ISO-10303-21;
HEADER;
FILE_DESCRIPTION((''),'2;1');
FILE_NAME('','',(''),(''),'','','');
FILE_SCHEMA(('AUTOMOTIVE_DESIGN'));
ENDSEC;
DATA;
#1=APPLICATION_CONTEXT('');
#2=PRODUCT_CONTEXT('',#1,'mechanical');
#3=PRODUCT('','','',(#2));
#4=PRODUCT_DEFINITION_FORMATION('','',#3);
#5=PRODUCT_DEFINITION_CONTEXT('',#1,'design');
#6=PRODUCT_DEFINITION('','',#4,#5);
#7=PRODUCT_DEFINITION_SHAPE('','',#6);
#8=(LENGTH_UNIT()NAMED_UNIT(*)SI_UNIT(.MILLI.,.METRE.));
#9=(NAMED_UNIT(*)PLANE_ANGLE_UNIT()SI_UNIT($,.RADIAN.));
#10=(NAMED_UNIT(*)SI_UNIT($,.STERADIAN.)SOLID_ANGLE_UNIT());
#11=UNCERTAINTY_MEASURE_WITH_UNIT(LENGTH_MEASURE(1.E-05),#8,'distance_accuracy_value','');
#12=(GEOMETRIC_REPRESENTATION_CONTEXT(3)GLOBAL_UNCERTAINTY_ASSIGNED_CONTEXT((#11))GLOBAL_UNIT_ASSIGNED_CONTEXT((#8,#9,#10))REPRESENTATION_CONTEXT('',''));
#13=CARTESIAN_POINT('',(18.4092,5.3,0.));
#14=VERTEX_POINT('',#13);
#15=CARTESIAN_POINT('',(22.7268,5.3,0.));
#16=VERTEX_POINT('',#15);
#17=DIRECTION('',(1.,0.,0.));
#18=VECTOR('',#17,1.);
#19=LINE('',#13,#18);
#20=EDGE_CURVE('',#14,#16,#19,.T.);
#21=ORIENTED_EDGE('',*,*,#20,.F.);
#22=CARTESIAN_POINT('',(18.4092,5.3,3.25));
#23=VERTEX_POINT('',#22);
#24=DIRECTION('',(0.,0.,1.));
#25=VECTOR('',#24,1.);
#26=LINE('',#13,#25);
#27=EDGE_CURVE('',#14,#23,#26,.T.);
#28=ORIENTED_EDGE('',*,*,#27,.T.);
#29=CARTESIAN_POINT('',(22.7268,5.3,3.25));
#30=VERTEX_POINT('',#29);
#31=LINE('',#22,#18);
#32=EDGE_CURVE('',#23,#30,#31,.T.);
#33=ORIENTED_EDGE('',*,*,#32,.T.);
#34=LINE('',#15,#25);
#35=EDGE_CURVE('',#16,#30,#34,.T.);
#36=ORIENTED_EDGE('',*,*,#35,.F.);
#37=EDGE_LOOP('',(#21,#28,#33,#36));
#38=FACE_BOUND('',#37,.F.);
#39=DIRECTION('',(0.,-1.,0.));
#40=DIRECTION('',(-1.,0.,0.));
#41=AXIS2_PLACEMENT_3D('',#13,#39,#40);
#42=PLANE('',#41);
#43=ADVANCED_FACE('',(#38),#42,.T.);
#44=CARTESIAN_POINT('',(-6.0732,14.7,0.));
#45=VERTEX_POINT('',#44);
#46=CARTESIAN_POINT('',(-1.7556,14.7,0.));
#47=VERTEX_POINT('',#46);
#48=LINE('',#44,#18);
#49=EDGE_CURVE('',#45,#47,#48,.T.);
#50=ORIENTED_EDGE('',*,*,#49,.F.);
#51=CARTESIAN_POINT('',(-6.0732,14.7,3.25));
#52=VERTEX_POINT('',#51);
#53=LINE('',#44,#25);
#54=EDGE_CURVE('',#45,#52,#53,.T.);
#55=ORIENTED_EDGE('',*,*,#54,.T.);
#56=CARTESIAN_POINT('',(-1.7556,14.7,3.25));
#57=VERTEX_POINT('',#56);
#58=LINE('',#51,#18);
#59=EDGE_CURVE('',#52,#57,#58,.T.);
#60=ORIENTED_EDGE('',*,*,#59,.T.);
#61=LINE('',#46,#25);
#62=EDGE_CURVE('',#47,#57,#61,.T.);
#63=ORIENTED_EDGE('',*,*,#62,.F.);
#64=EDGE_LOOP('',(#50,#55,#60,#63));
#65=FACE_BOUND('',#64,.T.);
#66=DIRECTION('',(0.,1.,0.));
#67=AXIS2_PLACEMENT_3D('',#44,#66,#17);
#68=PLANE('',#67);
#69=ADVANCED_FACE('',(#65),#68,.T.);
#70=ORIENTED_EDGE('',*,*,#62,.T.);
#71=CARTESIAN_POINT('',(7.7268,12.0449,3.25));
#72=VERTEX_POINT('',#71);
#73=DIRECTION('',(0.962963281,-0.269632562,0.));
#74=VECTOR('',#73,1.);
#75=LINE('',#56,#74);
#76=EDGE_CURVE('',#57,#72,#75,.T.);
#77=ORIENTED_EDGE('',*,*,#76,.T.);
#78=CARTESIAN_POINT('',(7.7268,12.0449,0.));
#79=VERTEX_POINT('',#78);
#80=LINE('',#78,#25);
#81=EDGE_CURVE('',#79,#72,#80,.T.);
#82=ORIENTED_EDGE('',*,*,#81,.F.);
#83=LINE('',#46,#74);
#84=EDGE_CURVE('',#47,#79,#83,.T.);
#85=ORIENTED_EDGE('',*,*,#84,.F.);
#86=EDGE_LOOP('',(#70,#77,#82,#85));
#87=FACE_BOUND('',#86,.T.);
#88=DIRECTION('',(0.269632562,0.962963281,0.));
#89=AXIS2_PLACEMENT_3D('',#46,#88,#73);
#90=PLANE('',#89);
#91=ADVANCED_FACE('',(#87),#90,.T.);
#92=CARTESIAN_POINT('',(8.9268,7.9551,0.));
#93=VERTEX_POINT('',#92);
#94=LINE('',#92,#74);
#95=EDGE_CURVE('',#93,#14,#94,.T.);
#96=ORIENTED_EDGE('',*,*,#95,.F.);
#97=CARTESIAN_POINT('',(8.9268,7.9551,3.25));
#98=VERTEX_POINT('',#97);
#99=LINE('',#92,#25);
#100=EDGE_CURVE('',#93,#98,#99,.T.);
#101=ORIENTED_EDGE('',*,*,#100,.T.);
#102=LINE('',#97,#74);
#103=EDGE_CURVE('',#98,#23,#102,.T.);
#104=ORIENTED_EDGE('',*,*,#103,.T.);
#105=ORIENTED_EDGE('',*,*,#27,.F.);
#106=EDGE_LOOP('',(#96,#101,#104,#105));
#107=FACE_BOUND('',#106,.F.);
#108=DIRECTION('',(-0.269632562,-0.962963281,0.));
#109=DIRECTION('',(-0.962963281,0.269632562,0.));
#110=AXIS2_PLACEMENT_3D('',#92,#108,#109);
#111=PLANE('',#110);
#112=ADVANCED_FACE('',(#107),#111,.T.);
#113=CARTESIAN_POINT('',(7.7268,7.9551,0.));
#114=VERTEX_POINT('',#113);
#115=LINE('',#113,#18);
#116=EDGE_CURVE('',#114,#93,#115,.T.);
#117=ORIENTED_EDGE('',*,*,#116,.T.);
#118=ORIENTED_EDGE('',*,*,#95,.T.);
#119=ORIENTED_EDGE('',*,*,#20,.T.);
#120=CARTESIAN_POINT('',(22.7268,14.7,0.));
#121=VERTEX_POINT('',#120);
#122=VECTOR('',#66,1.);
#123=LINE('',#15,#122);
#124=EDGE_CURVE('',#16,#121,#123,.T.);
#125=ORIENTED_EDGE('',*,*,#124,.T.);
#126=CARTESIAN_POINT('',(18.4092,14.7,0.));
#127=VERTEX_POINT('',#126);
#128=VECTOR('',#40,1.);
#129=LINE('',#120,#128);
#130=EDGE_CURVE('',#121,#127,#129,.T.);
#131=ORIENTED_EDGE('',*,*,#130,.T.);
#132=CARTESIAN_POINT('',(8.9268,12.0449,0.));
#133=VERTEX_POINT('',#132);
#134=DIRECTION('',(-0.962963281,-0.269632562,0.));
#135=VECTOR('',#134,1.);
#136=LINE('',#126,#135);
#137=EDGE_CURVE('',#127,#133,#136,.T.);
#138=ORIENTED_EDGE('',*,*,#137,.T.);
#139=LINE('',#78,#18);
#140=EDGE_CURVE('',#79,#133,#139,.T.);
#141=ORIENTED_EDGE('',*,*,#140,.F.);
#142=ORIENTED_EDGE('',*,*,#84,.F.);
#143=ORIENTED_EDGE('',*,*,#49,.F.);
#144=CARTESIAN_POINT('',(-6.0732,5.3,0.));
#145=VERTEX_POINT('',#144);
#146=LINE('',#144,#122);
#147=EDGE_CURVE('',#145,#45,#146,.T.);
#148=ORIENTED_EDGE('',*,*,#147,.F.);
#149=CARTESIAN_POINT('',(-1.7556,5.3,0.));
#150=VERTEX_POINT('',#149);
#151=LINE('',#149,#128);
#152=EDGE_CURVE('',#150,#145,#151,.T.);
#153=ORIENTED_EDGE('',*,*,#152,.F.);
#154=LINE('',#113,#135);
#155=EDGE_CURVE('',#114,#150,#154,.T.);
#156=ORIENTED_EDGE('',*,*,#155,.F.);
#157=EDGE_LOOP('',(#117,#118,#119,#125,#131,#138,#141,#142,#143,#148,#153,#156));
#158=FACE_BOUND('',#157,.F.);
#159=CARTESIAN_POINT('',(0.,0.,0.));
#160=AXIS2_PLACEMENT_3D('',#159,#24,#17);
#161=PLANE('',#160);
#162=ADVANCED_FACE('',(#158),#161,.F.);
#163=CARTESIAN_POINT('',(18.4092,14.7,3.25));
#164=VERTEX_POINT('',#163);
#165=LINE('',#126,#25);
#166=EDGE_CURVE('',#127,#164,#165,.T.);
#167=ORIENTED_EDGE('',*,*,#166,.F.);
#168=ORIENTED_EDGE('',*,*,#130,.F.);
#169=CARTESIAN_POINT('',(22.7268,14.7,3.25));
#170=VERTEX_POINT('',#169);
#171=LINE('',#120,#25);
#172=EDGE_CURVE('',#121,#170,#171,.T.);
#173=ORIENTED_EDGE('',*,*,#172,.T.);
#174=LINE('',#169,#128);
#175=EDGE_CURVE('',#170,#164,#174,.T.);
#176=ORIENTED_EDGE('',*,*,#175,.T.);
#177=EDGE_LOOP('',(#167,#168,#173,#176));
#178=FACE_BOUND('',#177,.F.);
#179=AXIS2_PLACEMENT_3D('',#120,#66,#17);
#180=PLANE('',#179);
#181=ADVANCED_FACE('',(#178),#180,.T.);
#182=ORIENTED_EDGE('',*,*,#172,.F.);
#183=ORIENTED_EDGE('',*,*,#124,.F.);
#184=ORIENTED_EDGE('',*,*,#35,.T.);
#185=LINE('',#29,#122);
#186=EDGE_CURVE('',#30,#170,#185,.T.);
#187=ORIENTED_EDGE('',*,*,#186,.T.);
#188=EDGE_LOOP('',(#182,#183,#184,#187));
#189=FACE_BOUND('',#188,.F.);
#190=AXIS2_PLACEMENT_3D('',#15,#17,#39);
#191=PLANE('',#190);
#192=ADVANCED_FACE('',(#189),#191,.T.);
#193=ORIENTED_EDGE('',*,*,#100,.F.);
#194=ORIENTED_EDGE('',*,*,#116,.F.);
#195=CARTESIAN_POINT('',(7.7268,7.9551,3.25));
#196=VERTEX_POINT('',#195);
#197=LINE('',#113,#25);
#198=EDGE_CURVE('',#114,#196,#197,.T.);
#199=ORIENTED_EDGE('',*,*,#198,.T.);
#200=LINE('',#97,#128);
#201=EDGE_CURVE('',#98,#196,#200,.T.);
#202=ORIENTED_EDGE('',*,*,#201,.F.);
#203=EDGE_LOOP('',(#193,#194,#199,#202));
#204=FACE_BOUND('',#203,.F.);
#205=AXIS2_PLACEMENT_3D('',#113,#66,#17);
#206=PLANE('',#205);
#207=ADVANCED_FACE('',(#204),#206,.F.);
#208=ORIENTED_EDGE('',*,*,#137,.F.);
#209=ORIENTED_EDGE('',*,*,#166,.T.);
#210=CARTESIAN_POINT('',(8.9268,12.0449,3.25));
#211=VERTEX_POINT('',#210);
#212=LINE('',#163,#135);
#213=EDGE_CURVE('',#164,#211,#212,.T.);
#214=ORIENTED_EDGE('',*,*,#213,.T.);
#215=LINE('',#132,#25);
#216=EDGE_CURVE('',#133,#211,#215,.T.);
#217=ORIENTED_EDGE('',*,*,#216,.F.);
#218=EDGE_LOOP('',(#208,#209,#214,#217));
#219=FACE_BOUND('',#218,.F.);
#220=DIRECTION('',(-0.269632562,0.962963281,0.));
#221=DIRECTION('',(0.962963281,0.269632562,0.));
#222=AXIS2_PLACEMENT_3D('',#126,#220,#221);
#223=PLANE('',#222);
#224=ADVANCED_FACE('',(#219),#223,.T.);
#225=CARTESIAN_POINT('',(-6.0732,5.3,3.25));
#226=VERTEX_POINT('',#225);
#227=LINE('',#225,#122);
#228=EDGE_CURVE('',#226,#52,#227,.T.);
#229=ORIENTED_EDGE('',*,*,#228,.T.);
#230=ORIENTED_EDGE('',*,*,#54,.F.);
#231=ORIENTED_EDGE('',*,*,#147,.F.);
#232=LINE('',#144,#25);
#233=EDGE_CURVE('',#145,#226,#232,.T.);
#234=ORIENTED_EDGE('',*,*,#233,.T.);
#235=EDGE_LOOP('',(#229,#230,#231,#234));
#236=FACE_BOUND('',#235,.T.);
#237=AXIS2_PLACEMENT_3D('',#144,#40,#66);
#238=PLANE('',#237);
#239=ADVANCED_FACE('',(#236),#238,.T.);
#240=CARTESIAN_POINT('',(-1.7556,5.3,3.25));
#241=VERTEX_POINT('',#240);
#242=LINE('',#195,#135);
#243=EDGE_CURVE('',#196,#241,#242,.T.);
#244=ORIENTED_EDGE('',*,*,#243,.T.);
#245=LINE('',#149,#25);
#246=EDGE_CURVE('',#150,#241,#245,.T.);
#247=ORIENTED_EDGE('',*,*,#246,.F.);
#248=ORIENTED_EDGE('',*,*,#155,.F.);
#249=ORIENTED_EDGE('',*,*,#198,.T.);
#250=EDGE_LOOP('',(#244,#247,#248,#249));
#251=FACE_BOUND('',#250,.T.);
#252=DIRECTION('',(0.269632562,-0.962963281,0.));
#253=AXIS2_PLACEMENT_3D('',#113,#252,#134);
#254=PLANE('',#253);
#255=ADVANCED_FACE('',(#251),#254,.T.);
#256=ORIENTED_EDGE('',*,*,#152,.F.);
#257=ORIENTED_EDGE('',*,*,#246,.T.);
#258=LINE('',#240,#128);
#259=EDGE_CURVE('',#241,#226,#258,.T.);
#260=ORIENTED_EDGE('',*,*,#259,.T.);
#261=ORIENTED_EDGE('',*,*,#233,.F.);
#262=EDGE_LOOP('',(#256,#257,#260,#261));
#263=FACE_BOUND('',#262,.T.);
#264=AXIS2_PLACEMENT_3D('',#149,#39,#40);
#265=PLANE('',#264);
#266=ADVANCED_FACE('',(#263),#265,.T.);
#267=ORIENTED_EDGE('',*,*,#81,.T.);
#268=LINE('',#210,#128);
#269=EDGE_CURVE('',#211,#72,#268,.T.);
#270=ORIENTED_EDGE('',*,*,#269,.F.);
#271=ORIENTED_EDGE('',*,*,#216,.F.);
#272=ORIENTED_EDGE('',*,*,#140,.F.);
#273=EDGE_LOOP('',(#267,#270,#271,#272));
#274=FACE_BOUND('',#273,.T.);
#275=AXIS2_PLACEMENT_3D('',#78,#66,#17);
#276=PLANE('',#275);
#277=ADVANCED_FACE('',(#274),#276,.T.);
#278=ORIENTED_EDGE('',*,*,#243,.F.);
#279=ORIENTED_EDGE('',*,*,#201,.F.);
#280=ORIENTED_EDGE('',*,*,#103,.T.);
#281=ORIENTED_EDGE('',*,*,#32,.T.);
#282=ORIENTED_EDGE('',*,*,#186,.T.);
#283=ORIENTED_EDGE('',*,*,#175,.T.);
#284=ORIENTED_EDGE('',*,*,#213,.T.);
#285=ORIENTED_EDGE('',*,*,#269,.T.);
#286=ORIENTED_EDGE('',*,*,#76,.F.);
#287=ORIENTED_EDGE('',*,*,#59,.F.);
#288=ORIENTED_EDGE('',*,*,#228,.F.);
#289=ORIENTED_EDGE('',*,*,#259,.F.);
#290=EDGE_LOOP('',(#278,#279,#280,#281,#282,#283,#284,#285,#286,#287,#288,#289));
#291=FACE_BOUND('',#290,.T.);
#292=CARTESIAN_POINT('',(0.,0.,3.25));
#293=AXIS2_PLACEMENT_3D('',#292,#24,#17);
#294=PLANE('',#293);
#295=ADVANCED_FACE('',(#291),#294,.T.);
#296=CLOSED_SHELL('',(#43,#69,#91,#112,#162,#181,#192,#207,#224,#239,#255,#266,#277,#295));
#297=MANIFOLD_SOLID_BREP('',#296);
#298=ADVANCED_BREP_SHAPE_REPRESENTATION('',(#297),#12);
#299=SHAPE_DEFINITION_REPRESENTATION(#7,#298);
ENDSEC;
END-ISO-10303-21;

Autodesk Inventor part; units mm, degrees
ref_plane "YZ Plane" through (0, 0, 0) normal (1, 0, 0) x (0, 1, 0)
ref_plane "XZ Plane" through (0, 0, 0) normal (0, 1, 0) x (-1, 0, 0)
ref_plane "Work Plane1" through (0, 0, 0) normal (0, 0, 1) x (1, 0, 0)
sketch "Sketch1" plane through (0, 0, 0) normal (0, 0, 1) x (1, 0, 0)
  line L0 (-1.6732, 4.7) -> (-6.6732, 4.7) projected
  line L1 (8.3268, 7.5) -> (-1.6732, 4.7) projected
  line L2 (8.3268, 12.5) -> (8.3268, 7.5) projected
  line L3 (-1.6732, 15.3) -> (8.3268, 12.5) projected
  line L4 (-6.6732, 15.3) -> (-1.6732, 15.3) projected
  line L5 (-6.6732, 4.7) -> (-6.6732, 15.3) projected
  line L6 (-1.7556, 5.3) -> (-6.0732, 5.3)
  line L7 (-6.0732, 5.3) -> (-6.0732, 14.7)
  line L8 (-6.0732, 14.7) -> (-1.7556, 14.7)
  line L9 (-1.7556, 14.7) -> (7.7268, 12.0449)
  line L10 (7.7268, 12.0449) -> (7.7268, 7.9551)
  line L11 (7.7268, 7.9551) -> (-1.7556, 5.3)
  line L12 (7.7268, 12.0449) -> (8.3268, 12.0449)
  line L13 (7.7268, 7.9551) -> (8.3268, 7.9551)
  point P0 (0, 0)
  dimension "d0" = 0.6
ref_plane "Work Plane2" through (-1.6732, 2.5, 3.75) normal (0, 0, 1) x (1, 0, 0)
extrude "Extrusion1" add sketch "Sketch1" along normal blind 3.25 contours L13 L10 L12 L2 | L11 L6 L7 L8 L9 L10
mirror "Mirror2" about plane through (8.3268, 7.9551, 0) normal (1, 0, 0) of "Extrusion1"
properties part number "Bow Tie Key"
